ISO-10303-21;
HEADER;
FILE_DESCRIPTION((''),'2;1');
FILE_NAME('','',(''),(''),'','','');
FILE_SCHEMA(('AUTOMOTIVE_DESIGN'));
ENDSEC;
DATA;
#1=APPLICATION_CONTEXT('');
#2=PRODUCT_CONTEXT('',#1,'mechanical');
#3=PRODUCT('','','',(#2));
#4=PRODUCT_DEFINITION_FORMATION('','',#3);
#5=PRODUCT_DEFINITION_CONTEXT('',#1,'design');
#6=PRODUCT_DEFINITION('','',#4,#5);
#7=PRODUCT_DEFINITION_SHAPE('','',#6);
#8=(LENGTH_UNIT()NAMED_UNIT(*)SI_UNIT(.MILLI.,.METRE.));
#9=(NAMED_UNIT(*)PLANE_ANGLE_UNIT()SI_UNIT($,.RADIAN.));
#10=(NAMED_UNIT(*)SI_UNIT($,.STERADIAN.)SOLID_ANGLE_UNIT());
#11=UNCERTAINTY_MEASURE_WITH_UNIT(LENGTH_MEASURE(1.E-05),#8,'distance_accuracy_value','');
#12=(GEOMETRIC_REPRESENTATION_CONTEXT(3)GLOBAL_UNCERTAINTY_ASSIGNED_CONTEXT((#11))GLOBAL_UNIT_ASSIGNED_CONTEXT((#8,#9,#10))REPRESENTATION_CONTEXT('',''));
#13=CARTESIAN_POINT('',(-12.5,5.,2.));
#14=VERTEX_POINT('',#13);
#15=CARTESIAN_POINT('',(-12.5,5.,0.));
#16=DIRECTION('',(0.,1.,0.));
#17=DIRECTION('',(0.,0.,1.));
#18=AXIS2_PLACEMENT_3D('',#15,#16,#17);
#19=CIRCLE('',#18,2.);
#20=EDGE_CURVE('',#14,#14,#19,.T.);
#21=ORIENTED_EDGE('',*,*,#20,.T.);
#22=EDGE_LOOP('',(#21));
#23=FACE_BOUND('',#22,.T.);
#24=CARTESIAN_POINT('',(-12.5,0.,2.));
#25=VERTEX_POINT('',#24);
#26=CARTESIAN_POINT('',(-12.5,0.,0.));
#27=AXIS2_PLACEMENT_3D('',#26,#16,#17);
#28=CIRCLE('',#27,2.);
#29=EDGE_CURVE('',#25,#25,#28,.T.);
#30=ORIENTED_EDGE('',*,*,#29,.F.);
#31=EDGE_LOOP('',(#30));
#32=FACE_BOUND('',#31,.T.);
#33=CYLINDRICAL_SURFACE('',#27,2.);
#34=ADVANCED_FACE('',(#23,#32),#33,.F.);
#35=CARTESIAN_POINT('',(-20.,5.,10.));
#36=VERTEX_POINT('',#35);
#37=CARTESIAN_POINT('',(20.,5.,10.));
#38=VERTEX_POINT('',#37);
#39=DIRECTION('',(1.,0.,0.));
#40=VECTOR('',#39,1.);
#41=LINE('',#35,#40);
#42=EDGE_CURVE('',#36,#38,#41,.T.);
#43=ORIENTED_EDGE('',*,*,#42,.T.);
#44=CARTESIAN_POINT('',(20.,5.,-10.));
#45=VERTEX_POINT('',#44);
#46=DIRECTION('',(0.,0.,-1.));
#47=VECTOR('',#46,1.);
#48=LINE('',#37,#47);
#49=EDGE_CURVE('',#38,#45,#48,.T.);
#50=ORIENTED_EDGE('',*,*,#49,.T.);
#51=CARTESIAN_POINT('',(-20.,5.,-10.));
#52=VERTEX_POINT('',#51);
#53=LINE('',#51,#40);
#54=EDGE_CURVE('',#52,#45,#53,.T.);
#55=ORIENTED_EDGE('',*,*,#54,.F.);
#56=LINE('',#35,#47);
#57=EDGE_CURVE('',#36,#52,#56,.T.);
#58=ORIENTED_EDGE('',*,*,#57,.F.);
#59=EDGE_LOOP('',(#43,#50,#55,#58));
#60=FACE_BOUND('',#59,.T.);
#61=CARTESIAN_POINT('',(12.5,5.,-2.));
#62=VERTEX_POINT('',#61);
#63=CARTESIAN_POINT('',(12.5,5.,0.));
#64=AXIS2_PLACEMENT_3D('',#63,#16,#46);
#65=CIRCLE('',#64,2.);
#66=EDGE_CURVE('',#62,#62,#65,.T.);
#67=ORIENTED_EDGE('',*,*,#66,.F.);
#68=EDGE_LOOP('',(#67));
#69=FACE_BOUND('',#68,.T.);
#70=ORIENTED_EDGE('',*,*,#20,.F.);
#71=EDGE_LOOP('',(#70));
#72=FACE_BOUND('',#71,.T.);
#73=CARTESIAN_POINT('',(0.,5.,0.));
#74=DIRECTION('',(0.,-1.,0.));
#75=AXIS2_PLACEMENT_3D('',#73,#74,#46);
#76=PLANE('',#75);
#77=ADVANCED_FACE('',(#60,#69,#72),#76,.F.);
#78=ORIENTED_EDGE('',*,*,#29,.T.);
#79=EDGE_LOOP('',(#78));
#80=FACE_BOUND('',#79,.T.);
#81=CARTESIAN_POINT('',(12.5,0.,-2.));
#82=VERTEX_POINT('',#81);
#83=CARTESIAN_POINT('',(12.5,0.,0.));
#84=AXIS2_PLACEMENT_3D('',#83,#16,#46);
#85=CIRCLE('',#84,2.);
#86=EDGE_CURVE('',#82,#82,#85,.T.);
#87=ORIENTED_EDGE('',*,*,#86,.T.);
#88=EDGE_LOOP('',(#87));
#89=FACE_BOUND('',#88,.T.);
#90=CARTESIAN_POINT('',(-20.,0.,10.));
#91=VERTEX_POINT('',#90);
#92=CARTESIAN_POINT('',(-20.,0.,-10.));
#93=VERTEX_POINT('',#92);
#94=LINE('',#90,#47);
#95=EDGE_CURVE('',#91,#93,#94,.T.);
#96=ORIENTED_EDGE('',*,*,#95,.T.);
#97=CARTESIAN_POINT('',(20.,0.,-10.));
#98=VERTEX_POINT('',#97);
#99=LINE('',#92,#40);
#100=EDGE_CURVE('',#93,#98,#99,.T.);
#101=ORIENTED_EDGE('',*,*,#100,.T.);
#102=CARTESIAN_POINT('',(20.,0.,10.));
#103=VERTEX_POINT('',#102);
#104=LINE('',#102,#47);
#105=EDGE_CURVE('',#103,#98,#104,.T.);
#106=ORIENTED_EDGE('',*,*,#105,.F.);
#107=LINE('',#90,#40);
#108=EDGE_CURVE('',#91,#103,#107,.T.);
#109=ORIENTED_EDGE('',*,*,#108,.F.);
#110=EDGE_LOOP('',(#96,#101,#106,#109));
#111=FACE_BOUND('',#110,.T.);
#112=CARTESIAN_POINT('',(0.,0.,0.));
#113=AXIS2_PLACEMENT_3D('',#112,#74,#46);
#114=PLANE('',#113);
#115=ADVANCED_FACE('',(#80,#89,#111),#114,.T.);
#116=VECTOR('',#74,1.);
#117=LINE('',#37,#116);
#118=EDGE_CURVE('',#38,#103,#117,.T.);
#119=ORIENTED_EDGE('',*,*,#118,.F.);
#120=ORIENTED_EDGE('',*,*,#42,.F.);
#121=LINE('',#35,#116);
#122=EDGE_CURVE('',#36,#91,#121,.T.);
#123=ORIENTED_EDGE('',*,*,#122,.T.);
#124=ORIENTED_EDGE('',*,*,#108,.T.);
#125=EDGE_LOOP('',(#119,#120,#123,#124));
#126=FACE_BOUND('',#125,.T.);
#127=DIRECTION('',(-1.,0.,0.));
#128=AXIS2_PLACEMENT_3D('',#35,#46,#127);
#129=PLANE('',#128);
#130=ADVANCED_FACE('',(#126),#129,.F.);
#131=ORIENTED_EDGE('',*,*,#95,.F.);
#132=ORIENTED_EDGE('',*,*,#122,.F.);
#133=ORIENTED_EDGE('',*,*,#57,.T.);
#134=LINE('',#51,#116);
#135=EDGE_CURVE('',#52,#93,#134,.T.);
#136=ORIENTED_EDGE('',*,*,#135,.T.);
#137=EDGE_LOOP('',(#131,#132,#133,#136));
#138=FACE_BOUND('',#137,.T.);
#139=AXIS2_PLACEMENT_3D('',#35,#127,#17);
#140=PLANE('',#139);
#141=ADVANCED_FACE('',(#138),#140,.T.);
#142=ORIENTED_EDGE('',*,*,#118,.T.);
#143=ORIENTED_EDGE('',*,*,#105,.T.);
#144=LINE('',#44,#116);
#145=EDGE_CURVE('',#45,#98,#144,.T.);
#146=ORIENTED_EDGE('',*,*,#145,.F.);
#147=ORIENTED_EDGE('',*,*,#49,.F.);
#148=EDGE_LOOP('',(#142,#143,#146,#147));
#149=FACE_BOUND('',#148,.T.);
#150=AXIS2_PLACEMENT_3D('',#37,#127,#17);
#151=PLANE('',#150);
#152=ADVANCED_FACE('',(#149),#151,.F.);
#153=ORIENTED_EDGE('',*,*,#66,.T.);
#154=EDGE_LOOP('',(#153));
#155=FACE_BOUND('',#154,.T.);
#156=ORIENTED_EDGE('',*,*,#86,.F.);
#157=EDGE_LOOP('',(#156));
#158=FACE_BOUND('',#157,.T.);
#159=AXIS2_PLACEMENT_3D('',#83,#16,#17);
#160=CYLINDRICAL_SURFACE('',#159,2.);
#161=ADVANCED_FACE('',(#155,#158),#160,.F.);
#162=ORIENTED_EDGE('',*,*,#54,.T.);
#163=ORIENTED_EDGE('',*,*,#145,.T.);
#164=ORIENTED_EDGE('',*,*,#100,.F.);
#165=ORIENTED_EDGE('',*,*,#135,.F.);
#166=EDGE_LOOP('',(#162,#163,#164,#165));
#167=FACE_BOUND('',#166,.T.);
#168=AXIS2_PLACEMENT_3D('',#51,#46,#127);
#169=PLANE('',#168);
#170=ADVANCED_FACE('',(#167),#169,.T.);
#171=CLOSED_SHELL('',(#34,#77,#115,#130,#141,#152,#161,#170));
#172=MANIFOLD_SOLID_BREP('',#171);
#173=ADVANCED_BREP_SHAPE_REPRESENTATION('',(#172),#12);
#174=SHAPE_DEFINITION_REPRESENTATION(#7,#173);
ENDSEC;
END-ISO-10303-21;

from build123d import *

# Parameters (mm, degrees)
SKETCH1_W           = 40
SKETCH1_H           = 20
BOSS_EXTRUDE1_DEPTH = 5
SKETCH2_R           = 2
CUT_EXTRUDE1_DEPTH  = 5


with BuildPart() as part:
    # Sketch1 → Boss-Extrude1 (new body)
    with BuildSketch(Plane(origin=(0, 0, 0), x_dir=(1, 0, 0), z_dir=(0, 1, 0))):
        Rectangle(SKETCH1_W, SKETCH1_H)
    extrude(amount=BOSS_EXTRUDE1_DEPTH)

    # Sketch2 → Cut-Extrude1 (cut)
    with BuildSketch(Plane(origin=(0, 5, 0), x_dir=(1, 0, 0), z_dir=(0, 1, 0))):
        with Locations((-12.5, 0)):
            Circle(SKETCH2_R)
        with Locations((12.5, 0)):
            Circle(SKETCH2_R)
    extrude(amount=-CUT_EXTRUDE1_DEPTH, mode=Mode.SUBTRACT)


solid = part.part
